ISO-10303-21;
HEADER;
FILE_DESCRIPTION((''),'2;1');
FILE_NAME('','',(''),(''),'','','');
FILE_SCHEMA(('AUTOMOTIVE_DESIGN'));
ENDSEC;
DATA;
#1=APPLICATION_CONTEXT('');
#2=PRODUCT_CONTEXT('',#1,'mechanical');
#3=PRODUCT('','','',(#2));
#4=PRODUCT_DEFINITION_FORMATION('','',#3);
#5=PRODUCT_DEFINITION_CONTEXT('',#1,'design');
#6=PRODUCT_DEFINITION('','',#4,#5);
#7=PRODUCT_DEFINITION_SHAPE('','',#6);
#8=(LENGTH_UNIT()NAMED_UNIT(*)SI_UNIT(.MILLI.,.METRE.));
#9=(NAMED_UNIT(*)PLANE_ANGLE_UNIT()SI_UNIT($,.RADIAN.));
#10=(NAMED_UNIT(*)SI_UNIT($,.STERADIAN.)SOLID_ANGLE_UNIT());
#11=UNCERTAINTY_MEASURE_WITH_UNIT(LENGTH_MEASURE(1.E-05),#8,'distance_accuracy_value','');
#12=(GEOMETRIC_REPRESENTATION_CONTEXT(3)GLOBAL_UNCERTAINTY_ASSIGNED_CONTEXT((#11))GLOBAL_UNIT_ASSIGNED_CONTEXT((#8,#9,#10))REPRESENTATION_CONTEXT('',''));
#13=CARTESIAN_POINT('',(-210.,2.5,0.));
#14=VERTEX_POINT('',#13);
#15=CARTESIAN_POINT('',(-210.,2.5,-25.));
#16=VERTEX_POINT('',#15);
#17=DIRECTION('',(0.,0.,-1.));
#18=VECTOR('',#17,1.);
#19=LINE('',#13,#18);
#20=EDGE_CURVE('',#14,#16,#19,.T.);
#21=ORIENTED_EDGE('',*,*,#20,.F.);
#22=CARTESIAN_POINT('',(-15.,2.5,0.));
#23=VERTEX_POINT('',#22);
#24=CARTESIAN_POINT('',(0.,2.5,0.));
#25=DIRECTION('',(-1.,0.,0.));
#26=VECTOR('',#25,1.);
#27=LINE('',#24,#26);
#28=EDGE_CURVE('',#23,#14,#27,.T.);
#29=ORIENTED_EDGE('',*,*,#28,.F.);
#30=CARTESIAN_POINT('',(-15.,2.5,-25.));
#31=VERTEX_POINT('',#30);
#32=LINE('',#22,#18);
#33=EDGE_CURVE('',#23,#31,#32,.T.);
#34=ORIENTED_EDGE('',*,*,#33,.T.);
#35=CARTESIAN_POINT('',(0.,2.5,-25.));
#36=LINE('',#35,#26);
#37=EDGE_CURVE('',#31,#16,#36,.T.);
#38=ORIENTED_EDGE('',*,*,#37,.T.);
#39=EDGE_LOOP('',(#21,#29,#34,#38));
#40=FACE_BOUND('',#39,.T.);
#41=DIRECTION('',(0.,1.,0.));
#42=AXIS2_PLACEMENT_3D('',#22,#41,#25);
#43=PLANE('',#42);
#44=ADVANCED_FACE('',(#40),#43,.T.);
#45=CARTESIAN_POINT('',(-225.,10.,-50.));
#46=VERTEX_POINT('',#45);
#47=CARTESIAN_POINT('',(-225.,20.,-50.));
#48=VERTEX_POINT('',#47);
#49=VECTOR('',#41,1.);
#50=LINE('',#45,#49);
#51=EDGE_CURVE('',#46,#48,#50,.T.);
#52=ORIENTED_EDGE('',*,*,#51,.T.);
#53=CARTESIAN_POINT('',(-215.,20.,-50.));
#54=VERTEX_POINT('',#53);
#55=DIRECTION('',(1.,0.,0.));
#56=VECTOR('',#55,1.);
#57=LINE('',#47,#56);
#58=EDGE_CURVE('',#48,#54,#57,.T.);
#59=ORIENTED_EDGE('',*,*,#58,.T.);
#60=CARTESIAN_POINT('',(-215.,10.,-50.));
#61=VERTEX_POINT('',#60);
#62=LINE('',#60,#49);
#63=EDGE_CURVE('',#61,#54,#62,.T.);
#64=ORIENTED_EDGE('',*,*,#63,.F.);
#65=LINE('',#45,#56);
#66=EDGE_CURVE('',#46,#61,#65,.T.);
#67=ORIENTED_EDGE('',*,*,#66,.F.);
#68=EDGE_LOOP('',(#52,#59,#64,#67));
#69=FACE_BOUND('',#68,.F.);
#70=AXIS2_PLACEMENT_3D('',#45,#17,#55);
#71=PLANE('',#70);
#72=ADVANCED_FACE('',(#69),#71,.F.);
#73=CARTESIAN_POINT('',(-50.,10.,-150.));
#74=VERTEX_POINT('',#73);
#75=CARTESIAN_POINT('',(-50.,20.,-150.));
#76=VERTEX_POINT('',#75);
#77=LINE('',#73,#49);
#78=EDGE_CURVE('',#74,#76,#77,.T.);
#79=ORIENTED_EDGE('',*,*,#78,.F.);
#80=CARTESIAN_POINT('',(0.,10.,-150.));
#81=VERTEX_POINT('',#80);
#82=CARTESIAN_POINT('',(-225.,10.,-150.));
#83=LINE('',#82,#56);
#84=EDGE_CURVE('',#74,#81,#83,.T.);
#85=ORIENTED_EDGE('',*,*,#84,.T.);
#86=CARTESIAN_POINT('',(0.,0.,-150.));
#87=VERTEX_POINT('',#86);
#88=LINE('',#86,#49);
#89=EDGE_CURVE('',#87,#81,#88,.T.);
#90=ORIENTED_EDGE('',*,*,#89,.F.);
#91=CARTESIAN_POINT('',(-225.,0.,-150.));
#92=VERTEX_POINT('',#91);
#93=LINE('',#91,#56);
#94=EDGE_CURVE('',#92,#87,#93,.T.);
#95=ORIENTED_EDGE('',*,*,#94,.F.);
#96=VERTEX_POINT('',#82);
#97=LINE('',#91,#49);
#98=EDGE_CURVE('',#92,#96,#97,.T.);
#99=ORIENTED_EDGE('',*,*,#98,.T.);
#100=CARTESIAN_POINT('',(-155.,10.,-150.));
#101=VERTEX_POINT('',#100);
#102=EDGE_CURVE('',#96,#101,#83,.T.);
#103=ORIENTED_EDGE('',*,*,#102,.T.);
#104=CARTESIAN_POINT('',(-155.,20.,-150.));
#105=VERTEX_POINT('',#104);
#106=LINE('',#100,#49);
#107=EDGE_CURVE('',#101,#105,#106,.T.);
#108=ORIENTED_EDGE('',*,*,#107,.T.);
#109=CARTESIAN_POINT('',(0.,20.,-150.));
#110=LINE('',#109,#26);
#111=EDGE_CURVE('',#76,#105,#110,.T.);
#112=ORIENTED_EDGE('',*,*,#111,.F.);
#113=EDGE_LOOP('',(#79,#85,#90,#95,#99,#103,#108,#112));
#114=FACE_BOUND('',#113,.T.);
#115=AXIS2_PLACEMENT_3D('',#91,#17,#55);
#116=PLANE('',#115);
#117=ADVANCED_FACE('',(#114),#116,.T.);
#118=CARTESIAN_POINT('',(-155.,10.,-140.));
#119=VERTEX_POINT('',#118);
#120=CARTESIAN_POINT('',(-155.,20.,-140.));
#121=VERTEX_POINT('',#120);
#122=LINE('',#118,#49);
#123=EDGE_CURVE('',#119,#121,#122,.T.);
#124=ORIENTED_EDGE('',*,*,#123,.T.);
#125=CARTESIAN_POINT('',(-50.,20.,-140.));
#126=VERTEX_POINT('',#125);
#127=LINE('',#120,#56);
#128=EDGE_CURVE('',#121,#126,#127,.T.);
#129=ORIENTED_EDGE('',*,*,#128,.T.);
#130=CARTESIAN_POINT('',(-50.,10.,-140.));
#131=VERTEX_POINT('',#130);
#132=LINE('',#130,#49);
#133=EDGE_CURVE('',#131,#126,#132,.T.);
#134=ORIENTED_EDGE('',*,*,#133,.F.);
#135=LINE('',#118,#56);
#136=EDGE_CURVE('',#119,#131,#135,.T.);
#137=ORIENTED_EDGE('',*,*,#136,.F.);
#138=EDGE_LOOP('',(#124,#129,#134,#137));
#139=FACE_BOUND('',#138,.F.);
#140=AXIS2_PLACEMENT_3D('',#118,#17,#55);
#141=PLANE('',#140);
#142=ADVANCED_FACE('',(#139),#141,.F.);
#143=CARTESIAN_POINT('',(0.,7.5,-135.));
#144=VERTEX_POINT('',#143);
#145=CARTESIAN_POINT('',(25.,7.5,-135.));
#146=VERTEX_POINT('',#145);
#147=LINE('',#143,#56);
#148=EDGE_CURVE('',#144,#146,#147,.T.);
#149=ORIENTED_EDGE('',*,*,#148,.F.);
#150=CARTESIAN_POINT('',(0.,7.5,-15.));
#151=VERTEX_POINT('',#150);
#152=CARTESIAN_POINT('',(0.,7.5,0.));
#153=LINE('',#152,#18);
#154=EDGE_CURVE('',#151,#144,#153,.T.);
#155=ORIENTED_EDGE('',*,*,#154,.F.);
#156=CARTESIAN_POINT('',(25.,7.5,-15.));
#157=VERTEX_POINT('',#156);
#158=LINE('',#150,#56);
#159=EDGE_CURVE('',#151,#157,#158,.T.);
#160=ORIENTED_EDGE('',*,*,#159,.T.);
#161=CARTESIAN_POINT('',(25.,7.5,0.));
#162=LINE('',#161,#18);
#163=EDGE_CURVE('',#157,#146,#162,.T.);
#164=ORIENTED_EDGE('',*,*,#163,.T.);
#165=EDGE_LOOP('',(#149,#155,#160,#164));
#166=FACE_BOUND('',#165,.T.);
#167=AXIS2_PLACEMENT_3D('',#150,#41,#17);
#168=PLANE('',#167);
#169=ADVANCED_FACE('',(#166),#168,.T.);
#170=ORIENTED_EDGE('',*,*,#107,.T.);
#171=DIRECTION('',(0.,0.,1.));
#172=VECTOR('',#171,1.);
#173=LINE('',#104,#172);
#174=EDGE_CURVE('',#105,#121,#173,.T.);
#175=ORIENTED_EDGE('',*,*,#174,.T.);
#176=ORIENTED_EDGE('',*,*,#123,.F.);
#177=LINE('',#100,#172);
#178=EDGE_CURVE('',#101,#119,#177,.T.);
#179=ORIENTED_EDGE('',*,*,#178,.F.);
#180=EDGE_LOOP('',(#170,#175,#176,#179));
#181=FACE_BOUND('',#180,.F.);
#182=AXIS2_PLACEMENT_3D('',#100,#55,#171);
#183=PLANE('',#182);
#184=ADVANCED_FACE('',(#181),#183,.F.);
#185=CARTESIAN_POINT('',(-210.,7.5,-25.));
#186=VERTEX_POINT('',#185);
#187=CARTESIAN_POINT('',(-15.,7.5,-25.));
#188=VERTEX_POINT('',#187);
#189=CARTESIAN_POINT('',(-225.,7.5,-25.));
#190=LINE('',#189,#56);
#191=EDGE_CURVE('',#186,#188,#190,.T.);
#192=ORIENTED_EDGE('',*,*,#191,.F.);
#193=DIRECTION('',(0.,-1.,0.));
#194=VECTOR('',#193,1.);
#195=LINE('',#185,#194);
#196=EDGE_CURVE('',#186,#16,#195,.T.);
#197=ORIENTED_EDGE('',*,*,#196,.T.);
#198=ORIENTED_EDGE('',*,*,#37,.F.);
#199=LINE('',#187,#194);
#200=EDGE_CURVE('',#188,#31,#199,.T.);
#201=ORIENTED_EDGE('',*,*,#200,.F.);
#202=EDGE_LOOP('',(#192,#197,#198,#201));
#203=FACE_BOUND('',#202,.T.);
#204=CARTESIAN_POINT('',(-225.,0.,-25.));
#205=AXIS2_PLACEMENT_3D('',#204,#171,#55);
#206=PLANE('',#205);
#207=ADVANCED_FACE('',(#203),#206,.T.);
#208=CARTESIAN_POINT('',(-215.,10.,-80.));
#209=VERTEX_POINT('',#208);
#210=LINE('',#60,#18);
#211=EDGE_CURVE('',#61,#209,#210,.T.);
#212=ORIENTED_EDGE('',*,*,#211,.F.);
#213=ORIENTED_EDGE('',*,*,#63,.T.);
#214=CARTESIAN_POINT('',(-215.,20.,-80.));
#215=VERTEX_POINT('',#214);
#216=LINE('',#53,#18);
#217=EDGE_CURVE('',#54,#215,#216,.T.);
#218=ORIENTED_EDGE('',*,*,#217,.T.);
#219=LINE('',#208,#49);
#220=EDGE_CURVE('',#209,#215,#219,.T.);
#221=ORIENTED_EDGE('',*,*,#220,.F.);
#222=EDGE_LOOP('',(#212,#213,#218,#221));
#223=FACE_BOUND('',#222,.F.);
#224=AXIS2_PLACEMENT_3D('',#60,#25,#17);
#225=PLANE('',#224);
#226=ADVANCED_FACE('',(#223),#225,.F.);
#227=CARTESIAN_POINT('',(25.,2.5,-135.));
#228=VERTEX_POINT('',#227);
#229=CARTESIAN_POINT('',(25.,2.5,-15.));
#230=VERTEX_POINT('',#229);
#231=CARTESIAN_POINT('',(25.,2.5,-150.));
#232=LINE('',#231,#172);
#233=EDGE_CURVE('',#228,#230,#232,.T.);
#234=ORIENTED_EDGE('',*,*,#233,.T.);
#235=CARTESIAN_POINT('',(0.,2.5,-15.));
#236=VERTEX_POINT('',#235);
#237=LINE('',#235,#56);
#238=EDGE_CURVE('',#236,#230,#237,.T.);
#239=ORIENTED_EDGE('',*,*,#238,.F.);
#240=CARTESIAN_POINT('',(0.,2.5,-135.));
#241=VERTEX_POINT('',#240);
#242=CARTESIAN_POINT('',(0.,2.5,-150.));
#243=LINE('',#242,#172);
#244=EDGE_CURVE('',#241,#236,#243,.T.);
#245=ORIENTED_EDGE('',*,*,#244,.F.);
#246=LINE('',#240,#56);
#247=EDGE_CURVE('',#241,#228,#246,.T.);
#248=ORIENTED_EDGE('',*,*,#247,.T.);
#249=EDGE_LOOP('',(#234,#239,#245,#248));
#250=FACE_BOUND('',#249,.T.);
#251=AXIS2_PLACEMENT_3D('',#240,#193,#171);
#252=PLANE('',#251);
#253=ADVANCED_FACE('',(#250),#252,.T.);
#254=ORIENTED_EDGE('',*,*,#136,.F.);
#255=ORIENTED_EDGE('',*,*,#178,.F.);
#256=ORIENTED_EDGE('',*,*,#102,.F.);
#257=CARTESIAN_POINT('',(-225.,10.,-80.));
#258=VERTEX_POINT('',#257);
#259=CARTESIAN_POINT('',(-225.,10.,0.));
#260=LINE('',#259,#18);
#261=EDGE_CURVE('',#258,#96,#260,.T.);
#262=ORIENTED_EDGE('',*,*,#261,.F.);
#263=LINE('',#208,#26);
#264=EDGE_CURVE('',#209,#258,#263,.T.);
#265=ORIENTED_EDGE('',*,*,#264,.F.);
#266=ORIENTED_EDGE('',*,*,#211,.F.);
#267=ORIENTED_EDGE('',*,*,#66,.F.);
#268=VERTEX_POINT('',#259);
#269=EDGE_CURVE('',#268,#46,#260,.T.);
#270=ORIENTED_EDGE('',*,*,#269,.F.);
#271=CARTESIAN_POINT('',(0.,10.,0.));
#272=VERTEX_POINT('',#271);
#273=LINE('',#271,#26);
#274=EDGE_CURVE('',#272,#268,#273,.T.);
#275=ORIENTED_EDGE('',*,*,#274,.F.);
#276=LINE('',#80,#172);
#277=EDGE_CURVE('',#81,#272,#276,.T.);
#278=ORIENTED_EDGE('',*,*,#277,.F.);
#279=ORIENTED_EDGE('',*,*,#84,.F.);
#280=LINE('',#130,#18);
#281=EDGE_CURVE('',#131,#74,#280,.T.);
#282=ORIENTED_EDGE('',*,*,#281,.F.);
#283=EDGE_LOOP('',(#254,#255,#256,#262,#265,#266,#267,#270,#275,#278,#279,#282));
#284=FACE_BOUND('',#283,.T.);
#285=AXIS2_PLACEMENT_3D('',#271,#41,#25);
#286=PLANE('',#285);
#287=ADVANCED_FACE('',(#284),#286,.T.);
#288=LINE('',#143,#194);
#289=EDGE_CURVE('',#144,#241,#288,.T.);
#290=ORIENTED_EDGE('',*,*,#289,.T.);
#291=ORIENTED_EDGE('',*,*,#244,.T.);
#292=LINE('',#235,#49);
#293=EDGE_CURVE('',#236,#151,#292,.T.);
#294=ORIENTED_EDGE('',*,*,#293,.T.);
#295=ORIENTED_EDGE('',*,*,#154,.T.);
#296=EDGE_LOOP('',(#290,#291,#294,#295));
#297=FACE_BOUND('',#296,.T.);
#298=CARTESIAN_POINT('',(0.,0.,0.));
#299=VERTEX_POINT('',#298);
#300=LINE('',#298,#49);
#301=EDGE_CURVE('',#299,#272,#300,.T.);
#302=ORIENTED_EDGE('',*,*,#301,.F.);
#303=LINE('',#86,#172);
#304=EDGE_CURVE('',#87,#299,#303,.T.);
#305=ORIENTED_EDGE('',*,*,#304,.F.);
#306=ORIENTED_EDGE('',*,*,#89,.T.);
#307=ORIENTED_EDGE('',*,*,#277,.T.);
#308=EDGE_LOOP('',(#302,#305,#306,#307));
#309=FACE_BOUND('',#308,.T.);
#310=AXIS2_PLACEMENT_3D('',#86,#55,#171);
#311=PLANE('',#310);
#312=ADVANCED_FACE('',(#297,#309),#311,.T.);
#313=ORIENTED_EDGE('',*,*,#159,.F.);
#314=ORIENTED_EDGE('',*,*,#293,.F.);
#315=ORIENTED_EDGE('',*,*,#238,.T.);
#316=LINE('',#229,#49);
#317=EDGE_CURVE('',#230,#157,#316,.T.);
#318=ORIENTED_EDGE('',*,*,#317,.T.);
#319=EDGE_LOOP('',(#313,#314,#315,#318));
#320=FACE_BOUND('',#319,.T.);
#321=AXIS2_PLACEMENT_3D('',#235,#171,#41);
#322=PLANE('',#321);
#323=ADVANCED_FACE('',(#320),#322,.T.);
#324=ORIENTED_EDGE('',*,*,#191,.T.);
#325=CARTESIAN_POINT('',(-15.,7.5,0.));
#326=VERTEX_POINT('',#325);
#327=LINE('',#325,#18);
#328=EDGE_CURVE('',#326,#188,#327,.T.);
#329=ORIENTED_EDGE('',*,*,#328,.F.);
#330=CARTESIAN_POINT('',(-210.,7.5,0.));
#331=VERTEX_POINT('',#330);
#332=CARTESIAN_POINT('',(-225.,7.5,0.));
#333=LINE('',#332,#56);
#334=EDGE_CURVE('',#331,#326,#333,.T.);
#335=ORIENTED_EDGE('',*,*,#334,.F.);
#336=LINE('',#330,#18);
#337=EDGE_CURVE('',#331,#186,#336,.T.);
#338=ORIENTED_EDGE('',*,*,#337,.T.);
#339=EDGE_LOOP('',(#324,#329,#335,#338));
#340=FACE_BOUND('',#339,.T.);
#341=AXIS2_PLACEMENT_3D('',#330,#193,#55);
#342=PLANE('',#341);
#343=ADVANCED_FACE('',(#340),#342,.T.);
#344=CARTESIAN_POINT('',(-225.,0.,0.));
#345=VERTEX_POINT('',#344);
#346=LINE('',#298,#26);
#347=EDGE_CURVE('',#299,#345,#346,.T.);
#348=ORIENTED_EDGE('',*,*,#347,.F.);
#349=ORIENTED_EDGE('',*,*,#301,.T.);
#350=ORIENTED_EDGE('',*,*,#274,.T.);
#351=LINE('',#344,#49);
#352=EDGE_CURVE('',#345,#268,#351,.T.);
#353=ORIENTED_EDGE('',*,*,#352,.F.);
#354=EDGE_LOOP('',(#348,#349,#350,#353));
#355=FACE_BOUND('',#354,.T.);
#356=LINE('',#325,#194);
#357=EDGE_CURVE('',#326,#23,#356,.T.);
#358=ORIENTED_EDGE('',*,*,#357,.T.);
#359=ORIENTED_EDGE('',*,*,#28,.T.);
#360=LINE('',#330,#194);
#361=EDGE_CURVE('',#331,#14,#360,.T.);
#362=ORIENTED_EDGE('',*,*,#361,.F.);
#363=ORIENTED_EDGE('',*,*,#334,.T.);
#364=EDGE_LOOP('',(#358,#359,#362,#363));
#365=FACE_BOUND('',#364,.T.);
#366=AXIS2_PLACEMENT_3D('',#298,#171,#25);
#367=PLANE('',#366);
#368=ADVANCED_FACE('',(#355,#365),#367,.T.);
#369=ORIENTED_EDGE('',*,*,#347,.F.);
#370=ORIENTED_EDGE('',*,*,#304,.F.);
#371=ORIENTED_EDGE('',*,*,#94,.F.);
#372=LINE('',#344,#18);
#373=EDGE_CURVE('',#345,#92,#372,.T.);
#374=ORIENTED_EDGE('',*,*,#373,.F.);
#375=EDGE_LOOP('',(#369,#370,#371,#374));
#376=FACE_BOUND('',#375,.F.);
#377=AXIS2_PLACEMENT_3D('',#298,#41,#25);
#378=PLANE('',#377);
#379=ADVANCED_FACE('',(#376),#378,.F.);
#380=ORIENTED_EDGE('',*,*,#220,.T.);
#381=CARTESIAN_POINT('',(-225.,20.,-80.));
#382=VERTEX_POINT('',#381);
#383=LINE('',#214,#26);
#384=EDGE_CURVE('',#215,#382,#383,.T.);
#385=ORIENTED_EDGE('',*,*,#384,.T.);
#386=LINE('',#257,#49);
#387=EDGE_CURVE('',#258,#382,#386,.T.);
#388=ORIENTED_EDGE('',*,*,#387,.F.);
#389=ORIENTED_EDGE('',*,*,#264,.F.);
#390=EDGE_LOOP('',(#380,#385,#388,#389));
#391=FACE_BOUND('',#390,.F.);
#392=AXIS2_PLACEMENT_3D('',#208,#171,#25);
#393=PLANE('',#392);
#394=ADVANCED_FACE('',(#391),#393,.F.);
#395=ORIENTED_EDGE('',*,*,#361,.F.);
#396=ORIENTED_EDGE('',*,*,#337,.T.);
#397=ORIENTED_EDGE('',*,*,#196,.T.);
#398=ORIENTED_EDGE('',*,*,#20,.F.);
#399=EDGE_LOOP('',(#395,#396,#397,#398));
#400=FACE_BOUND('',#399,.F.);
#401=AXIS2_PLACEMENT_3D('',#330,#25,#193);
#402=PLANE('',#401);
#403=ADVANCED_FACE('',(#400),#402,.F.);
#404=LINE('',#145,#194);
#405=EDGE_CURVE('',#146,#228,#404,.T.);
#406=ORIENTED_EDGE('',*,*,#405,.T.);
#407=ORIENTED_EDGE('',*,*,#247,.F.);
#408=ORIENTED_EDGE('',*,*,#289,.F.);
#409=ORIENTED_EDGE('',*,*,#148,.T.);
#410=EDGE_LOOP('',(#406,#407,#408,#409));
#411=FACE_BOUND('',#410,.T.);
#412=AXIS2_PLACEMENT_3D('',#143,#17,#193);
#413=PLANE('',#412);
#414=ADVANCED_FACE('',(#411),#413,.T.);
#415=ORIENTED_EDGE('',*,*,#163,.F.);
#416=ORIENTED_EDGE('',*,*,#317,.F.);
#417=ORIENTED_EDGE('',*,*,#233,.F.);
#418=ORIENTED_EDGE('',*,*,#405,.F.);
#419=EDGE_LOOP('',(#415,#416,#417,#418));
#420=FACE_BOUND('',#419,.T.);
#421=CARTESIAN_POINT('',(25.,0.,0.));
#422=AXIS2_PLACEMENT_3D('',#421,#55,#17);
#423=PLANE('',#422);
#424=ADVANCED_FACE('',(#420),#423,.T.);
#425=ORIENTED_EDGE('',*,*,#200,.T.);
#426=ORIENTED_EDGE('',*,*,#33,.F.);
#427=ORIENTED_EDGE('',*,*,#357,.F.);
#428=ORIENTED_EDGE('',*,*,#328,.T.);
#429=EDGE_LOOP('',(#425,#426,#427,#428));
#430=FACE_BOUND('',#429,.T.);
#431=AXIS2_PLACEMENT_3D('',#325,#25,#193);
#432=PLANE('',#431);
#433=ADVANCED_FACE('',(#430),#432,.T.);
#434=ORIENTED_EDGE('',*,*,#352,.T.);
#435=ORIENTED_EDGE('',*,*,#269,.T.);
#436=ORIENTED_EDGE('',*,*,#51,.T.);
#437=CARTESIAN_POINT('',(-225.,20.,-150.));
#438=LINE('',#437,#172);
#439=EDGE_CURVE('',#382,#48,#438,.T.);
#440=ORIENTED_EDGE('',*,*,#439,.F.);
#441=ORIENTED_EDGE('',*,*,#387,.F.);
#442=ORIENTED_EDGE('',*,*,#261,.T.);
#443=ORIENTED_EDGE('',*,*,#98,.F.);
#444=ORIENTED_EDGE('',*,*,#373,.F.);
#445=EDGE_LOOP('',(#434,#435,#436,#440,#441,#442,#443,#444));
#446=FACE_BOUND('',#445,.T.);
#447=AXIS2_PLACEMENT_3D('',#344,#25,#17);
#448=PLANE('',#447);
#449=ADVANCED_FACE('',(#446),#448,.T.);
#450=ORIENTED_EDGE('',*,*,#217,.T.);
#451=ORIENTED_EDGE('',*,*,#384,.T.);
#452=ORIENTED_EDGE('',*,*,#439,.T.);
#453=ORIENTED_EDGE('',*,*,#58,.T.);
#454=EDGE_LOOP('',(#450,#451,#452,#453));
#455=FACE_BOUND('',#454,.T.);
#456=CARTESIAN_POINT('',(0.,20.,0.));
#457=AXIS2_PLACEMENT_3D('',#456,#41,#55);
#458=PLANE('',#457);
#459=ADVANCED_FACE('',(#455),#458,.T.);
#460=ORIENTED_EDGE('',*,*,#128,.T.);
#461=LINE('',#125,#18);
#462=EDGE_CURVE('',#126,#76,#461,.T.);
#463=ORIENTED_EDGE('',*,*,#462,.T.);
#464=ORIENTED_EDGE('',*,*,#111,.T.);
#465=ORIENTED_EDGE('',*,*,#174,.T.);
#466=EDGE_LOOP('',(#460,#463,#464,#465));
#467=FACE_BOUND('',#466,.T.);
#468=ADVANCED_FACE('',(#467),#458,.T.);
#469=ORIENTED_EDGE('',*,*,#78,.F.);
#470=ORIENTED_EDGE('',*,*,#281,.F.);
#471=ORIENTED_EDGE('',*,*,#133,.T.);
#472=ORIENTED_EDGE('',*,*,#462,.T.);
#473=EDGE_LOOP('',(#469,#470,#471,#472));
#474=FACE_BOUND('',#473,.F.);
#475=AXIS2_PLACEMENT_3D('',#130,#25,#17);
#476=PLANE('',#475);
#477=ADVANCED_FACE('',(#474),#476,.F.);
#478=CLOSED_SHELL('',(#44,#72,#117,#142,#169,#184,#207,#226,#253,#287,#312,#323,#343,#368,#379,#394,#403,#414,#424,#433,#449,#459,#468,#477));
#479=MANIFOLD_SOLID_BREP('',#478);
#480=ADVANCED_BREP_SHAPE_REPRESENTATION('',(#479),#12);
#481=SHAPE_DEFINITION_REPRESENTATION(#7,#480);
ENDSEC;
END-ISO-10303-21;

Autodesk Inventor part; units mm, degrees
ref_plane "YZ Plane" through (0, 0, 0) normal (1, 0, 0) x (0, 1, 0)
ref_plane "XZ Plane" through (0, 0, 0) normal (0, 1, 0) x (-1, 0, 0)
ref_plane "XY Plane" through (0, 0, 0) normal (0, 0, 1) x (1, 0, 0)
sketch "Sketch1" plane through (0, 0, 0) normal (0, 1, 0) x (-1, 0, 0)
  line L0 (0, 0) -> (225, 0)
  line L1 (225, 0) -> (225, -150)
  line L2 (225, -150) -> (0, -150)
  line L3 (0, -150) -> (0, 0)
  dimension "d0" = 225
  dimension "d1" = 150
extrude "Extrusion1" add sketch "Sketch1" along normal blind 10
sketch "Sketch2" plane through (0, 0, 0) normal (1, 0, 0) x (0, 0, -1)
  line L0 (0, 7.5) -> (150, 7.5)
  line L1 (150, 7.5) -> (150, 2.5)
  line L2 (150, 2.5) -> (0, 2.5)
  line L3 (0, 2.5) -> (0, 7.5)
  line L4 (150, 7.5) -> (135, 7.5)
  line L5 (135, 7.5) -> (135, 1.8795)
  line L6 (135, 1.8795) -> (150, 1.8795)
  line L7 (150, 1.8795) -> (150, 7.5)
  line L8 (0, 2.5) -> (15, 2.5)
  line L9 (15, 2.5) -> (15, 7.5)
  line L10 (15, 7.5) -> (0, 7.5)
  line L11 (0, 7.5) -> (0, 2.5)
  point P0 (0, 0)
  point P1 (135, 2.5)
  dimension "d4" = 150
  dimension "d5" = 5
  dimension "d6" = 15
  dimension "d7" = 15
sketch "Sketch3" plane through (-225, 0, 0) normal (0, 0, 1) x (1, 0, 0)
  line L0 (0, 7.5) -> (225, 7.5)
  line L1 (225, 7.5) -> (225, 2.5)
  line L2 (225, 2.5) -> (0, 2.5)
  line L3 (0, 2.5) -> (0, 7.5)
  line L4 (225, 7.5) -> (210, 7.5)
  line L5 (210, 7.5) -> (210, 2.5)
  line L6 (210, 2.5) -> (225, 2.5)
  line L7 (225, 2.5) -> (225, 7.5)
  line L8 (0, 7.5) -> (15, 7.5)
  line L9 (15, 7.5) -> (15, 2.5)
  line L10 (15, 2.5) -> (0, 2.5)
  line L11 (0, 2.5) -> (0, 7.5)
  point P0 (225, 0)
  dimension "d8" = 5
  dimension "d9" = 15
  dimension "d10" = 5
  dimension "d11" = 15
  dimension "d12" = 5
extrude "Extrusion2" cut sketch "Sketch3" against normal blind 25 contours L0 L5 L2 L9
extrude "Extrusion3" add sketch "Sketch2" along normal blind 25 contours L0 L5 L2 L9
sketch "Sketch4" plane through (0, 10, 0) normal (0, 1, 0) x (1, 0, 0)
  line L0 (-225, 150) -> (-225, 0) projected
  line L1 (-225, 50) -> (-215, 50)
  line L2 (-215, 50) -> (-215, 80)
  line L3 (-215, 80) -> (-225, 80)
  line L4 (-225, 80) -> (-225, 50)
  line L5 (0, 150) -> (-225, 150) projected
  line L6 (-50, 150) -> (-155, 150)
  line L7 (-155, 150) -> (-155, 140)
  line L8 (-155, 140) -> (-50, 140)
  line L9 (-50, 140) -> (-50, 150)
  point P0 (0, 0)
  dimension "d17" = 10
  dimension "d18" = 30
  dimension "d21" = 105
  dimension "d22" = 10
extrude "Extrusion4" add sketch "Sketch4" along normal blind 10
properties part number "TSU_FM_Floor"
